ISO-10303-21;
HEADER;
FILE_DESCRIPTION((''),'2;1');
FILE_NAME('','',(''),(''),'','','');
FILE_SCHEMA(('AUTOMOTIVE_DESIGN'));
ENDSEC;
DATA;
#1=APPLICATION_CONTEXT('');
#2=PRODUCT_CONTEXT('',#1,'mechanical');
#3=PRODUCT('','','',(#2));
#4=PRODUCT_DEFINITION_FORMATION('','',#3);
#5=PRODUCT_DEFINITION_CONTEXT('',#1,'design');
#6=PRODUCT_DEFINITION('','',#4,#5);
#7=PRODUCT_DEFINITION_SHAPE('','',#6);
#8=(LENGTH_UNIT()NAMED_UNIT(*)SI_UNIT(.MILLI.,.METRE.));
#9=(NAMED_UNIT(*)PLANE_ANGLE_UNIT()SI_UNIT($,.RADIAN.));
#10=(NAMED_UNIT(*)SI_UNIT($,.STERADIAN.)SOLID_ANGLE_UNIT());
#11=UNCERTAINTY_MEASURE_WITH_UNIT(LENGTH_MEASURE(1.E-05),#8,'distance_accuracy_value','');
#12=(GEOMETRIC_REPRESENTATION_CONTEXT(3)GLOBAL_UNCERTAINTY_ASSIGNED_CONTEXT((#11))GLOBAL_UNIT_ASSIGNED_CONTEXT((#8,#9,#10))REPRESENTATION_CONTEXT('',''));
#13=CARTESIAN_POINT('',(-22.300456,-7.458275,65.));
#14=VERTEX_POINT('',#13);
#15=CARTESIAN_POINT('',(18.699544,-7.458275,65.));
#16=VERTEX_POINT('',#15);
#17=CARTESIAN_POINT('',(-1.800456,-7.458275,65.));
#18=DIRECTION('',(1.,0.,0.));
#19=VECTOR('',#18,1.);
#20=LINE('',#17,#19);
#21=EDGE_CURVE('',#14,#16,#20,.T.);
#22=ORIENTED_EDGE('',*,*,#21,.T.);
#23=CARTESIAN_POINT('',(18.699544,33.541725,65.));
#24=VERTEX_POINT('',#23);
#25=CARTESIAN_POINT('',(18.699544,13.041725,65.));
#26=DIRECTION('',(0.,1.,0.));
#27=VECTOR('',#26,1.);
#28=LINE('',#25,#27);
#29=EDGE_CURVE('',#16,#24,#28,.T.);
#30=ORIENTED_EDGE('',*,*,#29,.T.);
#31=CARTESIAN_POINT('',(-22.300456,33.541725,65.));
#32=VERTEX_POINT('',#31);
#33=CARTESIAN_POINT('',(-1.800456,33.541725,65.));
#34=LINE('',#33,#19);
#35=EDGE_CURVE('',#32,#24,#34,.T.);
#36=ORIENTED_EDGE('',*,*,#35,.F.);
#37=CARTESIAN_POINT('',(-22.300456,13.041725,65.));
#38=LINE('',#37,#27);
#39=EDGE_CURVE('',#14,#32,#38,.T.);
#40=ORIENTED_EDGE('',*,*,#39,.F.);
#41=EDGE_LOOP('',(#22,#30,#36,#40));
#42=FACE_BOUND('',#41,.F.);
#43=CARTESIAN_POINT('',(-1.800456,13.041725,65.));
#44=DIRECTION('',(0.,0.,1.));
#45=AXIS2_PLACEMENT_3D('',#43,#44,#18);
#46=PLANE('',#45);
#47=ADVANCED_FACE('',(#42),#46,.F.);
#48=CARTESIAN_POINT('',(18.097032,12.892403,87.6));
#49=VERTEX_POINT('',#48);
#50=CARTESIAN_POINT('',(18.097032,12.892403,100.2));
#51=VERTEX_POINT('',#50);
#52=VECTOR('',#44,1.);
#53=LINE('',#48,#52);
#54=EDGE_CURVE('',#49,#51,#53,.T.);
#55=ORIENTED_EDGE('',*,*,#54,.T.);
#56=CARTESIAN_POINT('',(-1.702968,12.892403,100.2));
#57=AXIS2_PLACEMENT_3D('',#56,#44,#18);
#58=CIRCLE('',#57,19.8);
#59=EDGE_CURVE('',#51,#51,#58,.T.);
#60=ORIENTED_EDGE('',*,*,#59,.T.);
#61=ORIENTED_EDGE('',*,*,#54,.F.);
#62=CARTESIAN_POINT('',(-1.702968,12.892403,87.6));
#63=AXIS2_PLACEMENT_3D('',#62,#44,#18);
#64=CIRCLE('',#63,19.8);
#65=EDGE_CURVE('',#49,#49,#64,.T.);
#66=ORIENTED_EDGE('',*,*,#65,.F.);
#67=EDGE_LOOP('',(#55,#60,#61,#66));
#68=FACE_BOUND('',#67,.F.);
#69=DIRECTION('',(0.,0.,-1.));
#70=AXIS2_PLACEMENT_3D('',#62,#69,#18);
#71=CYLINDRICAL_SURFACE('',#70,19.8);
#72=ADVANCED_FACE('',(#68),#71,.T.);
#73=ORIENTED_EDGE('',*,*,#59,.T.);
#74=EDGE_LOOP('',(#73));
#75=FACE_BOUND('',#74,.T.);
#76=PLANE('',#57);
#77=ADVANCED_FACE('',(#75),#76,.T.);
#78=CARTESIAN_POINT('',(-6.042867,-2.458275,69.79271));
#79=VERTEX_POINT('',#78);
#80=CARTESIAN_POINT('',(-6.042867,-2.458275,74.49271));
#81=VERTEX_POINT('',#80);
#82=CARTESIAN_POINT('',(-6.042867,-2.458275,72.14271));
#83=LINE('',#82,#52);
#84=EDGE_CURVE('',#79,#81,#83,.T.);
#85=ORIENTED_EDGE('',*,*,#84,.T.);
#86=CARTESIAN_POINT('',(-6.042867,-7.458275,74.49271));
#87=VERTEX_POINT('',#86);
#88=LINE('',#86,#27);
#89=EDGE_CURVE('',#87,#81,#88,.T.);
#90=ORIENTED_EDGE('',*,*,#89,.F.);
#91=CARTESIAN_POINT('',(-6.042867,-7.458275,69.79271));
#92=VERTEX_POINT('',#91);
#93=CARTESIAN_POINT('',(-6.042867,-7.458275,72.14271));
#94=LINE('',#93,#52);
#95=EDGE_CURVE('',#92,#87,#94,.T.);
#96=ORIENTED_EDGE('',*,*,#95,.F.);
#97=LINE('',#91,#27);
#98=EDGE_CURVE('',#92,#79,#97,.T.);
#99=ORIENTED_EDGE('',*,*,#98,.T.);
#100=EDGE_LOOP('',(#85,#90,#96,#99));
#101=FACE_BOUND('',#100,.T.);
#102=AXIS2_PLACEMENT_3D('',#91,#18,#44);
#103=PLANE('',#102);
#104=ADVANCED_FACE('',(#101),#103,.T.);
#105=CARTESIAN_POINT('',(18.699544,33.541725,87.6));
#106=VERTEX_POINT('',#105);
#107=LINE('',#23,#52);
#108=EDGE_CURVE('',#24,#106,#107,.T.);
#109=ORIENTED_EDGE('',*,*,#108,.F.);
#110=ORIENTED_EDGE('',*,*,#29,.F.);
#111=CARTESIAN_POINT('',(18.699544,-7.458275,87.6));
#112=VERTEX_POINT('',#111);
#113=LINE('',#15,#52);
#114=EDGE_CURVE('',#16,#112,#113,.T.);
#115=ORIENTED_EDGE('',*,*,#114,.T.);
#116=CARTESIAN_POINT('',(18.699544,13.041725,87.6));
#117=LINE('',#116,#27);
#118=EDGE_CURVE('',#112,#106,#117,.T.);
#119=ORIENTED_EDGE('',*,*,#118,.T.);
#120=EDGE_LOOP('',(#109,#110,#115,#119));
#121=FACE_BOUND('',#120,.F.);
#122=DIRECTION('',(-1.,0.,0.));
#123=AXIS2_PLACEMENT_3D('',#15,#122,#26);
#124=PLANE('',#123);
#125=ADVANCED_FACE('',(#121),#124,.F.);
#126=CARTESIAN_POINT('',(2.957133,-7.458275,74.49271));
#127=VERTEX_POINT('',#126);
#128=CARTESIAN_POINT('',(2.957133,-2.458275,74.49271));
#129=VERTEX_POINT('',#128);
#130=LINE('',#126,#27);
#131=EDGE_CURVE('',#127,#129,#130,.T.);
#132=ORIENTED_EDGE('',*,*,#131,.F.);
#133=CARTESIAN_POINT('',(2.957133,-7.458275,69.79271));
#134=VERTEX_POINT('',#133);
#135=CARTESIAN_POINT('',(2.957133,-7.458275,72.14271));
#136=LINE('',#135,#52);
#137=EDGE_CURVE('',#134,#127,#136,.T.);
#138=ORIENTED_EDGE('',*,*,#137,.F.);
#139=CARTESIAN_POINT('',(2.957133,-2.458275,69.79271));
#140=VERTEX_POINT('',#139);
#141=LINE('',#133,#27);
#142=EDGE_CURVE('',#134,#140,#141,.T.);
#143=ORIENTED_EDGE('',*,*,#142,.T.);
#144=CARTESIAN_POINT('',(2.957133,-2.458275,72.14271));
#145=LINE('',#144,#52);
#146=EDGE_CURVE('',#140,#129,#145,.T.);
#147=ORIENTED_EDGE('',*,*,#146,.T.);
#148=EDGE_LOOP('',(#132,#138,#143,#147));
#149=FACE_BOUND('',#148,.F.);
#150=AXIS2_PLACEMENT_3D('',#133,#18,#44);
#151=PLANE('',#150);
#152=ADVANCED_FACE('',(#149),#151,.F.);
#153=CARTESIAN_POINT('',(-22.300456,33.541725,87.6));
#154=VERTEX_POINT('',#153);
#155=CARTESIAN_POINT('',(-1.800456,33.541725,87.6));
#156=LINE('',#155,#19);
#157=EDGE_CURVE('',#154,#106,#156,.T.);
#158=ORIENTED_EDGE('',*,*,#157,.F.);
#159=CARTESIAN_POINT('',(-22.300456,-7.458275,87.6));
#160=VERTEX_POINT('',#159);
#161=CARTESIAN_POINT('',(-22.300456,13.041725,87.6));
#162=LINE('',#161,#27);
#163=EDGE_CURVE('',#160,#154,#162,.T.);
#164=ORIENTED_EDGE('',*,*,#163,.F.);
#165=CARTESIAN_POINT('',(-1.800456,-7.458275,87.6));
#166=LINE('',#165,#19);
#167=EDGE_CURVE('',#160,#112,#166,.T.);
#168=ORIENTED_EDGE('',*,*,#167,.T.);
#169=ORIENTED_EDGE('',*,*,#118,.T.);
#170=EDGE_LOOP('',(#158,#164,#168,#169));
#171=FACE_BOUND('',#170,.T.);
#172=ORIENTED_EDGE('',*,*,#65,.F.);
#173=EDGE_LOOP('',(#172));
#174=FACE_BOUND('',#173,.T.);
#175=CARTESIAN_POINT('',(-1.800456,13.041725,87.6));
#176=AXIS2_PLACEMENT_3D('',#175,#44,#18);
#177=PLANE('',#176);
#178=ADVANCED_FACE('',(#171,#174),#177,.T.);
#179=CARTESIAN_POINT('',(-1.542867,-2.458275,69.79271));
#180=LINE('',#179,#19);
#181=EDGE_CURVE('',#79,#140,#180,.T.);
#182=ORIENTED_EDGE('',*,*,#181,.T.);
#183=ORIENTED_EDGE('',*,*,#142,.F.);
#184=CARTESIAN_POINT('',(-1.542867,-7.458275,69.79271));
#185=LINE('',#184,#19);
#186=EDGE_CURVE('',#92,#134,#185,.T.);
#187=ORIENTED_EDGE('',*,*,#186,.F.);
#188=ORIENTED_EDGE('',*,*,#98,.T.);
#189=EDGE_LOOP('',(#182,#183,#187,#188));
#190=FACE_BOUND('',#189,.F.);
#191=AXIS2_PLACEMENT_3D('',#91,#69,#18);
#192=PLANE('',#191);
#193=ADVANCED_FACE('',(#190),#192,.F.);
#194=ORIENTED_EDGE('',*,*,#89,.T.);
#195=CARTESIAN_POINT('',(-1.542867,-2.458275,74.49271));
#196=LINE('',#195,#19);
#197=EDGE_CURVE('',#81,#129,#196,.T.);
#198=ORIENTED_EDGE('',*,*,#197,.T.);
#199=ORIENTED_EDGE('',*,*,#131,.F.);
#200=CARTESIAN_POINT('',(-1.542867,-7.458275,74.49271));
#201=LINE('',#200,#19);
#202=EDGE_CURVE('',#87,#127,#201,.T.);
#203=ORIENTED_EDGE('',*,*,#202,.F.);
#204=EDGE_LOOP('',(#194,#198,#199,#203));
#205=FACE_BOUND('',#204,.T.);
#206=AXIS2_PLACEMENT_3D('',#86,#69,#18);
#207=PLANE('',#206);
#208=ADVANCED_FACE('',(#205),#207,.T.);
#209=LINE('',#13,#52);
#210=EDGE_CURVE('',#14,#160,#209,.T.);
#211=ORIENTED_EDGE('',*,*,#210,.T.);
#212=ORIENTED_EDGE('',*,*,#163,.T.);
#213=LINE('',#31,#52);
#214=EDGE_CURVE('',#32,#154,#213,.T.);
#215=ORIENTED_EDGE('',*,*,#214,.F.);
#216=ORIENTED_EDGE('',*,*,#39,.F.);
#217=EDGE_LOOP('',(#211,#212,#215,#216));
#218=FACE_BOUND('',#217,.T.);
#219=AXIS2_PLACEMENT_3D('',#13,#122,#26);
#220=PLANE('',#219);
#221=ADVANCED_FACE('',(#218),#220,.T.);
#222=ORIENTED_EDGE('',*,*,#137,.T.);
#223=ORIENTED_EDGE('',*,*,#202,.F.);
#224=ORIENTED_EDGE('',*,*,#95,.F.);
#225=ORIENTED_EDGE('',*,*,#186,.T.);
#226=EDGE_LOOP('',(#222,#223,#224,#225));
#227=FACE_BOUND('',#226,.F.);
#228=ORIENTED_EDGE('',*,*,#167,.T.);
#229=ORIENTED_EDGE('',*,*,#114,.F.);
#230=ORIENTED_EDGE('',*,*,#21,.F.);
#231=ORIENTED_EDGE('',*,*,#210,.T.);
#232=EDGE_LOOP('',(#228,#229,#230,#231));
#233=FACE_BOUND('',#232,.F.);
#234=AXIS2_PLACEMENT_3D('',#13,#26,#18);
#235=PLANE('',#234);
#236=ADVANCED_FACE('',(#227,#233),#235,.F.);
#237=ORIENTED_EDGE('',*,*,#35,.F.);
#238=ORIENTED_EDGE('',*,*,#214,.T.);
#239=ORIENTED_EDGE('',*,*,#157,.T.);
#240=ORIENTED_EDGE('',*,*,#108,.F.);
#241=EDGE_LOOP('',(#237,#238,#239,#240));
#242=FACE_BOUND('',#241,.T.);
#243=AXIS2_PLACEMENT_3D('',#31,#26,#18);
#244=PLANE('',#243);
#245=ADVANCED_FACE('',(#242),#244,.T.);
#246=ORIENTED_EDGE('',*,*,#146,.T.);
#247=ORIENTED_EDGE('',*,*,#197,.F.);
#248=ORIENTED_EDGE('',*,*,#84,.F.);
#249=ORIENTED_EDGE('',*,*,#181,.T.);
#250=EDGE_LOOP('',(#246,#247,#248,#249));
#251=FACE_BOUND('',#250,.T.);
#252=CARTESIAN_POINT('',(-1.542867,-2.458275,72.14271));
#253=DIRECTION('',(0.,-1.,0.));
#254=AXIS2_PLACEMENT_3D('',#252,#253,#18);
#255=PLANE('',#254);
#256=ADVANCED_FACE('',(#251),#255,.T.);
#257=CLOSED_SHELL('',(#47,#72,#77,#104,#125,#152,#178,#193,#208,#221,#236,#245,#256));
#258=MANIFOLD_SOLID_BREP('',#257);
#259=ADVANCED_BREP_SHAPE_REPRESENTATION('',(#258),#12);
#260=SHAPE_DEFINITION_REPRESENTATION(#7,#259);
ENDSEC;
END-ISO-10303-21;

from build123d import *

# Parameters (mm, degrees)
SKETCH025_W     = 41
SKETCH025_H     = 41
PAD017_DEPTH    = 22.6
SKETCH026_R     = 19.8
PAD018_DEPTH    = 12.6
SKETCH027_W     = 9
SKETCH027_H     = 4.7
POCKET007_DEPTH = 5


with BuildPart() as part:
    # Sketch025 → Pad017 (new body)
    with BuildSketch(Plane.XY):
        with Locations((3.199544, 3.041725)):
            Rectangle(SKETCH025_W, SKETCH025_H)
    extrude(amount=PAD017_DEPTH)

    # Sketch026 (on Face6 of Pad017) → Pad018 (join)
    with BuildSketch(Plane.XY.offset(22.6)):
        with Locations((3.297032, 2.892403)):
            Circle(SKETCH026_R)
    extrude(amount=PAD018_DEPTH)

    # Sketch027 (on Face3 of Pad018) → Pocket007 (cut)
    with BuildSketch(Plane.XZ.offset(17.458275)):
        with Locations((3.457133, 7.14271)):
            Rectangle(SKETCH027_W, SKETCH027_H)
    extrude(amount=-POCKET007_DEPTH, mode=Mode.SUBTRACT)


with BuildPart() as part_1:
    # Body006 placement: moved
    add(part.part.moved(Location((-5, 10, 65))))


solid = part_1.part
